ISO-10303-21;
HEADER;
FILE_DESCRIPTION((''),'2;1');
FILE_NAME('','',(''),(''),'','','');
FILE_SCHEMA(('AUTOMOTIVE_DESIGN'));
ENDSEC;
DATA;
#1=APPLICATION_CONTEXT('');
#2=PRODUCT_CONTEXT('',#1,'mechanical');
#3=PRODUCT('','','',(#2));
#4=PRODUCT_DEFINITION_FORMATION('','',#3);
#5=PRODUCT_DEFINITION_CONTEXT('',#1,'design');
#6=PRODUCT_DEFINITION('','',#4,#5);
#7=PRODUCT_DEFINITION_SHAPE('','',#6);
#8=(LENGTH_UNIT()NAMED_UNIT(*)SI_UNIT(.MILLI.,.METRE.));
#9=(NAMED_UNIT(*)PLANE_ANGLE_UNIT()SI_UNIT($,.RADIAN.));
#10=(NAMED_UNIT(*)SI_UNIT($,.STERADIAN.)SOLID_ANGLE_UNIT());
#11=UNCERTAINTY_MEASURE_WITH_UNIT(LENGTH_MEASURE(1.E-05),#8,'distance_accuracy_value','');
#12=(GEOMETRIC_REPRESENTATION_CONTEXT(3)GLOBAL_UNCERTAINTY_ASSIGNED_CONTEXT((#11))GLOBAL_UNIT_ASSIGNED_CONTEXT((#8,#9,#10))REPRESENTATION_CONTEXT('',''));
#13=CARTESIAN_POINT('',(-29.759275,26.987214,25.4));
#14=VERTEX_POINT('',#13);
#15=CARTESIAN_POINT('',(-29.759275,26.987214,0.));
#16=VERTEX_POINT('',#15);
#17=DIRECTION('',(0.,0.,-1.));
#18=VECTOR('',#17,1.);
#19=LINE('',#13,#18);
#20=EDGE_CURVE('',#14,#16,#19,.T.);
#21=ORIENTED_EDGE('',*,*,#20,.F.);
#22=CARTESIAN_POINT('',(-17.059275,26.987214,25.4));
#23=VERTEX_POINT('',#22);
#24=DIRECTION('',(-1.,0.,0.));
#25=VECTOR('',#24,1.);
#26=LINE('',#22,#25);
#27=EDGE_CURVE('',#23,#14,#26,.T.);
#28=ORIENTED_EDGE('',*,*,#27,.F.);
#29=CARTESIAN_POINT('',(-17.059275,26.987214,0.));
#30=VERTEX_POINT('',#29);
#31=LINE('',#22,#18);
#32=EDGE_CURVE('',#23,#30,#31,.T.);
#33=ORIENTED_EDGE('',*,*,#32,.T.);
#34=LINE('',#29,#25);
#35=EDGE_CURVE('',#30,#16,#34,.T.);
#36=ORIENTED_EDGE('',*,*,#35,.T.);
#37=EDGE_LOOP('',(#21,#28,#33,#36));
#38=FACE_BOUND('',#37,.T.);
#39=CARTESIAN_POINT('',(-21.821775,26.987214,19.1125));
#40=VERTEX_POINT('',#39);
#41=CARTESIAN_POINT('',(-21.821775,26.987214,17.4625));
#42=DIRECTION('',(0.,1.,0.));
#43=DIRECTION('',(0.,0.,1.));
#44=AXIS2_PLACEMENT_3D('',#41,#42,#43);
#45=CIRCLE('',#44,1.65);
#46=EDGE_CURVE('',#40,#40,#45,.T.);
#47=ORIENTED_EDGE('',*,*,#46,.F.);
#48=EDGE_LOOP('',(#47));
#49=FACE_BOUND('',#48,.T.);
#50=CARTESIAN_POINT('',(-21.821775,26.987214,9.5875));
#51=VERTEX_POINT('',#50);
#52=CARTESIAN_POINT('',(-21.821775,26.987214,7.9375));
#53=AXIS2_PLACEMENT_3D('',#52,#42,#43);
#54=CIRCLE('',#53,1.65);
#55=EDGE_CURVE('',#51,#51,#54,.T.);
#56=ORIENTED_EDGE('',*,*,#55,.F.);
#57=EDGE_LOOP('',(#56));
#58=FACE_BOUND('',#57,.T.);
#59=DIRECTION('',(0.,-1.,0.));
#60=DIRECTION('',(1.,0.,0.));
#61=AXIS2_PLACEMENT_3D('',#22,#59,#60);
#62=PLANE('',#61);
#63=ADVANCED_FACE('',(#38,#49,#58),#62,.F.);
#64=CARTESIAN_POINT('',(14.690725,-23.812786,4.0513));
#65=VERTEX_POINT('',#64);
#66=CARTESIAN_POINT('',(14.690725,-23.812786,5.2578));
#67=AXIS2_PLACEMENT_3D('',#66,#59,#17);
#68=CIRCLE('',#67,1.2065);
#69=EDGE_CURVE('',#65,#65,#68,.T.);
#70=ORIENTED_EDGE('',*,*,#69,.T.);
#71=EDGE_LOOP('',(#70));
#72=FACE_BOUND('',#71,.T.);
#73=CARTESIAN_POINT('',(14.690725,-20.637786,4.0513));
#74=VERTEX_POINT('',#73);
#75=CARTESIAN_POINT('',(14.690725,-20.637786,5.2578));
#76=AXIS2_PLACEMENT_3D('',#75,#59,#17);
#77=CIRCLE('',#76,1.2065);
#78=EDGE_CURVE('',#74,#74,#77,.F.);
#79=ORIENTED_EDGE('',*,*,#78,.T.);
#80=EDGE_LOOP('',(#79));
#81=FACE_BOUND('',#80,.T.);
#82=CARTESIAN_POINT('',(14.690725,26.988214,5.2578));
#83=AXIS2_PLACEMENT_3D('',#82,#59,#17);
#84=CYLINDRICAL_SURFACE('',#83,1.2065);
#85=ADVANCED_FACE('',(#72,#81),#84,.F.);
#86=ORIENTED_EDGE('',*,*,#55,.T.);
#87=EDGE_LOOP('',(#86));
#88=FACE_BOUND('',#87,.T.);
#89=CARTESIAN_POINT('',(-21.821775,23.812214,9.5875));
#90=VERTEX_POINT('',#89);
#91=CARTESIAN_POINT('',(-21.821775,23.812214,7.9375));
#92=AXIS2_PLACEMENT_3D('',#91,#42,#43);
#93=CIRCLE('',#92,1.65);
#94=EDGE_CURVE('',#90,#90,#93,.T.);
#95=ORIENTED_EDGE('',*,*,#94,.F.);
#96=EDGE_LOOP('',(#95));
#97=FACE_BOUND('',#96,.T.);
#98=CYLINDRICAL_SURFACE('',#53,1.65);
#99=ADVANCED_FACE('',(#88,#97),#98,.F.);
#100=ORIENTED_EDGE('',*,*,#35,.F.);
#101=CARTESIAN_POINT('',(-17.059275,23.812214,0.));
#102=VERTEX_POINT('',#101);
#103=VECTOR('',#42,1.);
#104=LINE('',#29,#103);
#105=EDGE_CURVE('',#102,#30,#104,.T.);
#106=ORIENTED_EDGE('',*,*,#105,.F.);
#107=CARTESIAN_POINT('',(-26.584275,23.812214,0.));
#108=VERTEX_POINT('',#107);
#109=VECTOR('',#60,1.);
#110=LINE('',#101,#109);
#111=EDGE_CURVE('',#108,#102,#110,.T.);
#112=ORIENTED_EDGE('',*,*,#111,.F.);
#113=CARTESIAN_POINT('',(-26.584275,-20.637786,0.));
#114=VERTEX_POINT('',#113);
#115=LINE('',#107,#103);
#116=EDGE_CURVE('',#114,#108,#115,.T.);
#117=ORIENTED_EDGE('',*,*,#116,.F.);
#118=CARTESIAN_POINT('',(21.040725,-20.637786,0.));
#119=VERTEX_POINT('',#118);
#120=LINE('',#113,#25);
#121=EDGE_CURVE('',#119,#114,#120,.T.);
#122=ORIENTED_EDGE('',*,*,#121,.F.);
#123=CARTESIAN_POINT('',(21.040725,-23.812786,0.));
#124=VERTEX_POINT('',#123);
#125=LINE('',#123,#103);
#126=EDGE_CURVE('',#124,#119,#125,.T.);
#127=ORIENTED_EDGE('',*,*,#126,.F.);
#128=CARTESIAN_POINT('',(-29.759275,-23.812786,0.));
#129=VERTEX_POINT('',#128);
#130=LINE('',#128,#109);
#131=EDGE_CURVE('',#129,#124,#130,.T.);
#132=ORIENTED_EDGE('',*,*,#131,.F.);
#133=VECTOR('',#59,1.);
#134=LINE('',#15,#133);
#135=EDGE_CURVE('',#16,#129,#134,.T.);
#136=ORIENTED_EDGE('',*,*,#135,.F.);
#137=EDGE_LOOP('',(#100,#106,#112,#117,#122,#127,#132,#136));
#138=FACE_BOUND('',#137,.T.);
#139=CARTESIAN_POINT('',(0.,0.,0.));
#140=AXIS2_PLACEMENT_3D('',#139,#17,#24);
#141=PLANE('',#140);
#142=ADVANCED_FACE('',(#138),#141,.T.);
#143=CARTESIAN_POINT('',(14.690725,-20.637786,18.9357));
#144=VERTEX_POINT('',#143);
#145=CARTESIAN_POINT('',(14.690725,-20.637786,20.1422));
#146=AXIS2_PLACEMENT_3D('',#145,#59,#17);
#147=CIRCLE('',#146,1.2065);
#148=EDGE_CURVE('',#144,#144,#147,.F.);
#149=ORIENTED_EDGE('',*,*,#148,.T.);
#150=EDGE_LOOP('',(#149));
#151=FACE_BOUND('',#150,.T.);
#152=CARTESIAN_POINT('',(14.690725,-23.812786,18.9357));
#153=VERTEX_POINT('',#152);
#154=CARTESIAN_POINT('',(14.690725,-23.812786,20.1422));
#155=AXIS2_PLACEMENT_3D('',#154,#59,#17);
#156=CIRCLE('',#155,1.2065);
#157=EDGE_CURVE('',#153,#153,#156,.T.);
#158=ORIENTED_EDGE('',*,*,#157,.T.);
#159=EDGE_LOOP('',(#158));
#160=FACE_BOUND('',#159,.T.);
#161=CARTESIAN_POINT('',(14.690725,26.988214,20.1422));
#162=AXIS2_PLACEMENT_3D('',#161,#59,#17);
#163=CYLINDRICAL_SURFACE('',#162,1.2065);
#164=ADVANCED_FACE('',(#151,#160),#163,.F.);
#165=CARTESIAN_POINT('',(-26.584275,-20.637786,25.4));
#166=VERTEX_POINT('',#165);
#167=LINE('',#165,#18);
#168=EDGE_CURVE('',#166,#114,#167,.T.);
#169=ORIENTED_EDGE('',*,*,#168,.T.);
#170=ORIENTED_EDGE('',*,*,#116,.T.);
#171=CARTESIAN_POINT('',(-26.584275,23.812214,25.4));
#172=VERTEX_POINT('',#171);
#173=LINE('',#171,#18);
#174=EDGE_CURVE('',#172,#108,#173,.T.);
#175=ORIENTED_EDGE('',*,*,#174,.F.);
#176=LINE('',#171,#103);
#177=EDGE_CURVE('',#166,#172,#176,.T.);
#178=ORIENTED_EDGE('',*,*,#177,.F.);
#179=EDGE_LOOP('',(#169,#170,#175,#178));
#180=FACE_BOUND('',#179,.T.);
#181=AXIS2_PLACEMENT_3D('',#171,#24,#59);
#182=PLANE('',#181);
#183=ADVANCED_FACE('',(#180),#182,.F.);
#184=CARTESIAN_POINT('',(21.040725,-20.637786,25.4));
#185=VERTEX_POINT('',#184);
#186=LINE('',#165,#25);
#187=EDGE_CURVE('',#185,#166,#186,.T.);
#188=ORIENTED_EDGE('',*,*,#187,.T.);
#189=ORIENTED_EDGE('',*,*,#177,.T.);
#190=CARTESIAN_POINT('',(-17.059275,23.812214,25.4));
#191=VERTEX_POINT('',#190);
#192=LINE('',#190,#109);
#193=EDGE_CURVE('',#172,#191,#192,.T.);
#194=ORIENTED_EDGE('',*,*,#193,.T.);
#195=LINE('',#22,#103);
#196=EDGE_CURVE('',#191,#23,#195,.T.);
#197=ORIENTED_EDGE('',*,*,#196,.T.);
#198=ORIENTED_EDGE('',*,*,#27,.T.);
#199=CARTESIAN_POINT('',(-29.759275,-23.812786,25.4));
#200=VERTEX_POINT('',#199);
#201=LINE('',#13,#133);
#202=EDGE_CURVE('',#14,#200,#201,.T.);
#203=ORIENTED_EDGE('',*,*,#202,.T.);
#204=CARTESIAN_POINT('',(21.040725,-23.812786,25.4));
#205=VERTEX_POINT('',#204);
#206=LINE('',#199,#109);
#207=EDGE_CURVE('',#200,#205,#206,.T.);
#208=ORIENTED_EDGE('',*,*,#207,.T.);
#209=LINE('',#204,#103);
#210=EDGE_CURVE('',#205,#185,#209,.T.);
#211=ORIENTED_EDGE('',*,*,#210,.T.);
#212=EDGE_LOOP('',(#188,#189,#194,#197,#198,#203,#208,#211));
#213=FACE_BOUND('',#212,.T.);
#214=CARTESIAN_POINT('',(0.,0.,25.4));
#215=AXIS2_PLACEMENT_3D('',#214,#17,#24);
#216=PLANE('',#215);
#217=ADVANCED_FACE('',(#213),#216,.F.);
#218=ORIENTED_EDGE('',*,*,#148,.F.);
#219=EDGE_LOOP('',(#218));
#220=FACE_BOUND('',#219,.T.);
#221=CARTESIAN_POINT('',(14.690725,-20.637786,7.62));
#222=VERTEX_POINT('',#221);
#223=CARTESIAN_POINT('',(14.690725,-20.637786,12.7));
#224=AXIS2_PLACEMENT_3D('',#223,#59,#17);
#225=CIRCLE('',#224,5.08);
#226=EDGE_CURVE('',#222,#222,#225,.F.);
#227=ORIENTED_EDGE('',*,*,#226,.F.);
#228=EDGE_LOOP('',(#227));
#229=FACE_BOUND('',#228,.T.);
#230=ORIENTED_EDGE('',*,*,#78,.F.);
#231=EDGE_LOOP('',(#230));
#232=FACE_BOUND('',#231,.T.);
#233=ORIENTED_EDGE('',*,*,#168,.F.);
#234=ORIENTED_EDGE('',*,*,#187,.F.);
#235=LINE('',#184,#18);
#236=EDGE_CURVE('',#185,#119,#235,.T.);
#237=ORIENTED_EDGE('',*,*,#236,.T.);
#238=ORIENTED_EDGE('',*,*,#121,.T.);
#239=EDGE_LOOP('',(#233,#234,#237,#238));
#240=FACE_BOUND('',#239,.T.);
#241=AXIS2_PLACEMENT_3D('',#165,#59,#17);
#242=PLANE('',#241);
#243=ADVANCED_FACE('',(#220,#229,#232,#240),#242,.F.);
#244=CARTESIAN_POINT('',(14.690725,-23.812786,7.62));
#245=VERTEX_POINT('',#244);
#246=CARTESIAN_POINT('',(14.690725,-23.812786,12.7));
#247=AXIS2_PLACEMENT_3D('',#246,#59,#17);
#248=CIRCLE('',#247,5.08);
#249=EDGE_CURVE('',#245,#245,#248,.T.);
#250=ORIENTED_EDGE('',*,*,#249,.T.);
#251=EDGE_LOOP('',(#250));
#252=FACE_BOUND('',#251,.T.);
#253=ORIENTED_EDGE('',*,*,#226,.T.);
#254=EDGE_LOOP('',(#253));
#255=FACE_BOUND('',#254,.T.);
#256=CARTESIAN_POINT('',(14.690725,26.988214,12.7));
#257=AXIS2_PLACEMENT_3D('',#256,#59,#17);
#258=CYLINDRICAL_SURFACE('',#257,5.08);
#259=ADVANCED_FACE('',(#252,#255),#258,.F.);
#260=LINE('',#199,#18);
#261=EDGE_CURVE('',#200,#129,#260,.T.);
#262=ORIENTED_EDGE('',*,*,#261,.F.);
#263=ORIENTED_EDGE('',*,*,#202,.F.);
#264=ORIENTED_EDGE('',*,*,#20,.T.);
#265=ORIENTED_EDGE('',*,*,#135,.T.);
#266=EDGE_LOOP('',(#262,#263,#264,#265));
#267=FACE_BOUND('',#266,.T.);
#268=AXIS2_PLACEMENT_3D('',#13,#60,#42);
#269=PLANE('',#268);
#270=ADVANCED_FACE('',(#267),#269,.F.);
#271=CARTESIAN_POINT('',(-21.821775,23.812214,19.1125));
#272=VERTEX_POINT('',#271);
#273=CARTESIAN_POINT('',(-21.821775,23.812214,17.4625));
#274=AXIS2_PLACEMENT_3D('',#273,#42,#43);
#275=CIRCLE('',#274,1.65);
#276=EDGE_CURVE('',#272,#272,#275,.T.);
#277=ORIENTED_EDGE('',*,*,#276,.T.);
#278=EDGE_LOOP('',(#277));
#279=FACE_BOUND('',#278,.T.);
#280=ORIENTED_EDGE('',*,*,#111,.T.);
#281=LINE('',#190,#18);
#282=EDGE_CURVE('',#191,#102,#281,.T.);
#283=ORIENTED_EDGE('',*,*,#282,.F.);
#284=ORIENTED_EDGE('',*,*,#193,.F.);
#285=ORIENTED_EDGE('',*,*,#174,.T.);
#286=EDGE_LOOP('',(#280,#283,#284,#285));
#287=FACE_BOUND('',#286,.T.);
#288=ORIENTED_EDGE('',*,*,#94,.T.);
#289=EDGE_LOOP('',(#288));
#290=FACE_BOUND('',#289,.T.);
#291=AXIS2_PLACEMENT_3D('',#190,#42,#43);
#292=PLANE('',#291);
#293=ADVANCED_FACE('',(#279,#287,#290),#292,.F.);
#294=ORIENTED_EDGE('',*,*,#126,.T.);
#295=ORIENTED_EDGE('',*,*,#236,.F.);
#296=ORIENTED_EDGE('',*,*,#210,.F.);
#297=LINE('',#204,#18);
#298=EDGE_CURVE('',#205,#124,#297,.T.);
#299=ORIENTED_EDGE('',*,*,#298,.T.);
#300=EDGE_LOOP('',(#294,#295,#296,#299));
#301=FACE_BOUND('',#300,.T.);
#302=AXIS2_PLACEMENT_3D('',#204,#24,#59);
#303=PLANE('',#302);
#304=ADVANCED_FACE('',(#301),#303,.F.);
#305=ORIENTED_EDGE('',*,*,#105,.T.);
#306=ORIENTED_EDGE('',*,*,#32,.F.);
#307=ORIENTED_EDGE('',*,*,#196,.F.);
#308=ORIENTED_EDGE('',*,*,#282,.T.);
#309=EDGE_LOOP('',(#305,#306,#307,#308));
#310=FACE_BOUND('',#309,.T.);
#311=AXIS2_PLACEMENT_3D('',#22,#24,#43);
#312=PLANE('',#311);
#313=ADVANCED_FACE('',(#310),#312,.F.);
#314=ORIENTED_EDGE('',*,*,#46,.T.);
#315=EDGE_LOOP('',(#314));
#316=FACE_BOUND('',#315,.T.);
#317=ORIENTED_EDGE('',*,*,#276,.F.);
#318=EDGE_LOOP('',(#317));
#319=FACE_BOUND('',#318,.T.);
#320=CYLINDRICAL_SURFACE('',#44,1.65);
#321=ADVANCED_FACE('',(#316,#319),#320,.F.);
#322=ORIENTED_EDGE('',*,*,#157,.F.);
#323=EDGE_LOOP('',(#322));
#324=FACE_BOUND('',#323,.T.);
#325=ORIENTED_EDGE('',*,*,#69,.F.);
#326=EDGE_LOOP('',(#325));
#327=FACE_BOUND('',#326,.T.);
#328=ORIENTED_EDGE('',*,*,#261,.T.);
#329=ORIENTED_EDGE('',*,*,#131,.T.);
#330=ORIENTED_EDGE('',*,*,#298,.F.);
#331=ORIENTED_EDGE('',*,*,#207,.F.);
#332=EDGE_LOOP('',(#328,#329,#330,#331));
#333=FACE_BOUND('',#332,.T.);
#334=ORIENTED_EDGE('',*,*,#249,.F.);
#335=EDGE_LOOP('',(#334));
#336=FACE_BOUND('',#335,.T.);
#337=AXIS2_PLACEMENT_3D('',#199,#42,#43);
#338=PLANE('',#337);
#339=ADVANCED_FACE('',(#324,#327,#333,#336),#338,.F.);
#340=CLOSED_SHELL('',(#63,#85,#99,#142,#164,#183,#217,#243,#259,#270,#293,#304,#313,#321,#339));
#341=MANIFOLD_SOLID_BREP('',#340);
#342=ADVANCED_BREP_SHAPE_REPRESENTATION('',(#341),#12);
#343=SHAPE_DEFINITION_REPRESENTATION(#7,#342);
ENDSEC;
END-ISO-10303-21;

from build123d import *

# Parameters (mm, degrees)
BOSS_EXTRUDE1_DEPTH       = 25.4
M4X0_7_TAPPED_HOLE1_D     = 3.3
M4X0_7_TAPPED_HOLE1_DEPTH = 9.906
M4X0_7_TAPPED_HOLE1_TIP   = 0.991420021
CUT_EXTRUDE1_REACH        = 66.12
SKETCH7_R                 = 5.08
SKETCH7_R_2               = 1.2065


with BuildPart() as part:
    # Sketch1 → Boss-Extrude1 (new body)
    with BuildSketch(Plane.XY):
        Polygon((-17.059275079, 26.987213855), (-29.759275079, 26.987213855), (-29.759275079, -23.812786145), (21.040724921, -23.812786145), (21.040724921, -20.637786145), (-26.584275079, -20.637786145), (-26.584275079, 23.812213855), (-17.059275079, 23.812213855), align=None)
    extrude(amount=BOSS_EXTRUDE1_DEPTH)

    # M4x0.7 Tapped Hole1
    with Locations(Plane(origin=(0, 26.987213855, 0), x_dir=(1, 0, 0), z_dir=(0, 1, 0))):
        with Locations((-21.821775079, -7.9375), (-21.821775079, -17.4625)):
            Hole(M4X0_7_TAPPED_HOLE1_D / 2, depth=M4X0_7_TAPPED_HOLE1_DEPTH)
            with Locations((0, 0, -(M4X0_7_TAPPED_HOLE1_DEPTH + M4X0_7_TAPPED_HOLE1_TIP / 2))):  # 118° drill point
                Cone(0, M4X0_7_TAPPED_HOLE1_D / 2, M4X0_7_TAPPED_HOLE1_TIP, mode=Mode.SUBTRACT)

    # Sketch7 → Cut-Extrude1 (cut, up to next)
    with BuildSketch(Plane.XZ.offset(23.812786145), mode=Mode.PRIVATE) as cut_extrude1_sk1:
        with Locations(Location((14.690724921, 12.7, 0), (0, 0, 270))):
            Circle(SKETCH7_R)
    cut_extrude1_tool1 = extrude(cut_extrude1_sk1.sketch, amount=-CUT_EXTRUDE1_REACH, mode=Mode.PRIVATE) & part.part
    # Sketch7 → Cut-Extrude1 (cut, up to next)
    with BuildSketch(Plane.XZ.offset(23.812786145), mode=Mode.PRIVATE) as cut_extrude1_sk2:
        with Locations(Location((14.690724921, 5.2578, 0), (0, 0, 270))):
            Circle(SKETCH7_R_2)
    cut_extrude1_tool2 = extrude(cut_extrude1_sk2.sketch, amount=-CUT_EXTRUDE1_REACH, mode=Mode.PRIVATE) & part.part
    # Sketch7 → Cut-Extrude1 (cut, up to next)
    with BuildSketch(Plane.XZ.offset(23.812786145), mode=Mode.PRIVATE) as cut_extrude1_sk3:
        with Locations(Location((14.690724921, 20.1422, 0), (0, 0, 270))):
            Circle(SKETCH7_R_2)
    cut_extrude1_tool3 = extrude(cut_extrude1_sk3.sketch, amount=-CUT_EXTRUDE1_REACH, mode=Mode.PRIVATE) & part.part
    add(cut_extrude1_tool1.solids().sort_by_distance((14.690725, -23.812786, 12.7))[0], mode=Mode.SUBTRACT)
    add(cut_extrude1_tool2.solids().sort_by_distance((14.690725, -23.812786, 5.2578))[0], mode=Mode.SUBTRACT)
    add(cut_extrude1_tool3.solids().sort_by_distance((14.690725, -23.812786, 20.1422))[0], mode=Mode.SUBTRACT)


solid = part.part
